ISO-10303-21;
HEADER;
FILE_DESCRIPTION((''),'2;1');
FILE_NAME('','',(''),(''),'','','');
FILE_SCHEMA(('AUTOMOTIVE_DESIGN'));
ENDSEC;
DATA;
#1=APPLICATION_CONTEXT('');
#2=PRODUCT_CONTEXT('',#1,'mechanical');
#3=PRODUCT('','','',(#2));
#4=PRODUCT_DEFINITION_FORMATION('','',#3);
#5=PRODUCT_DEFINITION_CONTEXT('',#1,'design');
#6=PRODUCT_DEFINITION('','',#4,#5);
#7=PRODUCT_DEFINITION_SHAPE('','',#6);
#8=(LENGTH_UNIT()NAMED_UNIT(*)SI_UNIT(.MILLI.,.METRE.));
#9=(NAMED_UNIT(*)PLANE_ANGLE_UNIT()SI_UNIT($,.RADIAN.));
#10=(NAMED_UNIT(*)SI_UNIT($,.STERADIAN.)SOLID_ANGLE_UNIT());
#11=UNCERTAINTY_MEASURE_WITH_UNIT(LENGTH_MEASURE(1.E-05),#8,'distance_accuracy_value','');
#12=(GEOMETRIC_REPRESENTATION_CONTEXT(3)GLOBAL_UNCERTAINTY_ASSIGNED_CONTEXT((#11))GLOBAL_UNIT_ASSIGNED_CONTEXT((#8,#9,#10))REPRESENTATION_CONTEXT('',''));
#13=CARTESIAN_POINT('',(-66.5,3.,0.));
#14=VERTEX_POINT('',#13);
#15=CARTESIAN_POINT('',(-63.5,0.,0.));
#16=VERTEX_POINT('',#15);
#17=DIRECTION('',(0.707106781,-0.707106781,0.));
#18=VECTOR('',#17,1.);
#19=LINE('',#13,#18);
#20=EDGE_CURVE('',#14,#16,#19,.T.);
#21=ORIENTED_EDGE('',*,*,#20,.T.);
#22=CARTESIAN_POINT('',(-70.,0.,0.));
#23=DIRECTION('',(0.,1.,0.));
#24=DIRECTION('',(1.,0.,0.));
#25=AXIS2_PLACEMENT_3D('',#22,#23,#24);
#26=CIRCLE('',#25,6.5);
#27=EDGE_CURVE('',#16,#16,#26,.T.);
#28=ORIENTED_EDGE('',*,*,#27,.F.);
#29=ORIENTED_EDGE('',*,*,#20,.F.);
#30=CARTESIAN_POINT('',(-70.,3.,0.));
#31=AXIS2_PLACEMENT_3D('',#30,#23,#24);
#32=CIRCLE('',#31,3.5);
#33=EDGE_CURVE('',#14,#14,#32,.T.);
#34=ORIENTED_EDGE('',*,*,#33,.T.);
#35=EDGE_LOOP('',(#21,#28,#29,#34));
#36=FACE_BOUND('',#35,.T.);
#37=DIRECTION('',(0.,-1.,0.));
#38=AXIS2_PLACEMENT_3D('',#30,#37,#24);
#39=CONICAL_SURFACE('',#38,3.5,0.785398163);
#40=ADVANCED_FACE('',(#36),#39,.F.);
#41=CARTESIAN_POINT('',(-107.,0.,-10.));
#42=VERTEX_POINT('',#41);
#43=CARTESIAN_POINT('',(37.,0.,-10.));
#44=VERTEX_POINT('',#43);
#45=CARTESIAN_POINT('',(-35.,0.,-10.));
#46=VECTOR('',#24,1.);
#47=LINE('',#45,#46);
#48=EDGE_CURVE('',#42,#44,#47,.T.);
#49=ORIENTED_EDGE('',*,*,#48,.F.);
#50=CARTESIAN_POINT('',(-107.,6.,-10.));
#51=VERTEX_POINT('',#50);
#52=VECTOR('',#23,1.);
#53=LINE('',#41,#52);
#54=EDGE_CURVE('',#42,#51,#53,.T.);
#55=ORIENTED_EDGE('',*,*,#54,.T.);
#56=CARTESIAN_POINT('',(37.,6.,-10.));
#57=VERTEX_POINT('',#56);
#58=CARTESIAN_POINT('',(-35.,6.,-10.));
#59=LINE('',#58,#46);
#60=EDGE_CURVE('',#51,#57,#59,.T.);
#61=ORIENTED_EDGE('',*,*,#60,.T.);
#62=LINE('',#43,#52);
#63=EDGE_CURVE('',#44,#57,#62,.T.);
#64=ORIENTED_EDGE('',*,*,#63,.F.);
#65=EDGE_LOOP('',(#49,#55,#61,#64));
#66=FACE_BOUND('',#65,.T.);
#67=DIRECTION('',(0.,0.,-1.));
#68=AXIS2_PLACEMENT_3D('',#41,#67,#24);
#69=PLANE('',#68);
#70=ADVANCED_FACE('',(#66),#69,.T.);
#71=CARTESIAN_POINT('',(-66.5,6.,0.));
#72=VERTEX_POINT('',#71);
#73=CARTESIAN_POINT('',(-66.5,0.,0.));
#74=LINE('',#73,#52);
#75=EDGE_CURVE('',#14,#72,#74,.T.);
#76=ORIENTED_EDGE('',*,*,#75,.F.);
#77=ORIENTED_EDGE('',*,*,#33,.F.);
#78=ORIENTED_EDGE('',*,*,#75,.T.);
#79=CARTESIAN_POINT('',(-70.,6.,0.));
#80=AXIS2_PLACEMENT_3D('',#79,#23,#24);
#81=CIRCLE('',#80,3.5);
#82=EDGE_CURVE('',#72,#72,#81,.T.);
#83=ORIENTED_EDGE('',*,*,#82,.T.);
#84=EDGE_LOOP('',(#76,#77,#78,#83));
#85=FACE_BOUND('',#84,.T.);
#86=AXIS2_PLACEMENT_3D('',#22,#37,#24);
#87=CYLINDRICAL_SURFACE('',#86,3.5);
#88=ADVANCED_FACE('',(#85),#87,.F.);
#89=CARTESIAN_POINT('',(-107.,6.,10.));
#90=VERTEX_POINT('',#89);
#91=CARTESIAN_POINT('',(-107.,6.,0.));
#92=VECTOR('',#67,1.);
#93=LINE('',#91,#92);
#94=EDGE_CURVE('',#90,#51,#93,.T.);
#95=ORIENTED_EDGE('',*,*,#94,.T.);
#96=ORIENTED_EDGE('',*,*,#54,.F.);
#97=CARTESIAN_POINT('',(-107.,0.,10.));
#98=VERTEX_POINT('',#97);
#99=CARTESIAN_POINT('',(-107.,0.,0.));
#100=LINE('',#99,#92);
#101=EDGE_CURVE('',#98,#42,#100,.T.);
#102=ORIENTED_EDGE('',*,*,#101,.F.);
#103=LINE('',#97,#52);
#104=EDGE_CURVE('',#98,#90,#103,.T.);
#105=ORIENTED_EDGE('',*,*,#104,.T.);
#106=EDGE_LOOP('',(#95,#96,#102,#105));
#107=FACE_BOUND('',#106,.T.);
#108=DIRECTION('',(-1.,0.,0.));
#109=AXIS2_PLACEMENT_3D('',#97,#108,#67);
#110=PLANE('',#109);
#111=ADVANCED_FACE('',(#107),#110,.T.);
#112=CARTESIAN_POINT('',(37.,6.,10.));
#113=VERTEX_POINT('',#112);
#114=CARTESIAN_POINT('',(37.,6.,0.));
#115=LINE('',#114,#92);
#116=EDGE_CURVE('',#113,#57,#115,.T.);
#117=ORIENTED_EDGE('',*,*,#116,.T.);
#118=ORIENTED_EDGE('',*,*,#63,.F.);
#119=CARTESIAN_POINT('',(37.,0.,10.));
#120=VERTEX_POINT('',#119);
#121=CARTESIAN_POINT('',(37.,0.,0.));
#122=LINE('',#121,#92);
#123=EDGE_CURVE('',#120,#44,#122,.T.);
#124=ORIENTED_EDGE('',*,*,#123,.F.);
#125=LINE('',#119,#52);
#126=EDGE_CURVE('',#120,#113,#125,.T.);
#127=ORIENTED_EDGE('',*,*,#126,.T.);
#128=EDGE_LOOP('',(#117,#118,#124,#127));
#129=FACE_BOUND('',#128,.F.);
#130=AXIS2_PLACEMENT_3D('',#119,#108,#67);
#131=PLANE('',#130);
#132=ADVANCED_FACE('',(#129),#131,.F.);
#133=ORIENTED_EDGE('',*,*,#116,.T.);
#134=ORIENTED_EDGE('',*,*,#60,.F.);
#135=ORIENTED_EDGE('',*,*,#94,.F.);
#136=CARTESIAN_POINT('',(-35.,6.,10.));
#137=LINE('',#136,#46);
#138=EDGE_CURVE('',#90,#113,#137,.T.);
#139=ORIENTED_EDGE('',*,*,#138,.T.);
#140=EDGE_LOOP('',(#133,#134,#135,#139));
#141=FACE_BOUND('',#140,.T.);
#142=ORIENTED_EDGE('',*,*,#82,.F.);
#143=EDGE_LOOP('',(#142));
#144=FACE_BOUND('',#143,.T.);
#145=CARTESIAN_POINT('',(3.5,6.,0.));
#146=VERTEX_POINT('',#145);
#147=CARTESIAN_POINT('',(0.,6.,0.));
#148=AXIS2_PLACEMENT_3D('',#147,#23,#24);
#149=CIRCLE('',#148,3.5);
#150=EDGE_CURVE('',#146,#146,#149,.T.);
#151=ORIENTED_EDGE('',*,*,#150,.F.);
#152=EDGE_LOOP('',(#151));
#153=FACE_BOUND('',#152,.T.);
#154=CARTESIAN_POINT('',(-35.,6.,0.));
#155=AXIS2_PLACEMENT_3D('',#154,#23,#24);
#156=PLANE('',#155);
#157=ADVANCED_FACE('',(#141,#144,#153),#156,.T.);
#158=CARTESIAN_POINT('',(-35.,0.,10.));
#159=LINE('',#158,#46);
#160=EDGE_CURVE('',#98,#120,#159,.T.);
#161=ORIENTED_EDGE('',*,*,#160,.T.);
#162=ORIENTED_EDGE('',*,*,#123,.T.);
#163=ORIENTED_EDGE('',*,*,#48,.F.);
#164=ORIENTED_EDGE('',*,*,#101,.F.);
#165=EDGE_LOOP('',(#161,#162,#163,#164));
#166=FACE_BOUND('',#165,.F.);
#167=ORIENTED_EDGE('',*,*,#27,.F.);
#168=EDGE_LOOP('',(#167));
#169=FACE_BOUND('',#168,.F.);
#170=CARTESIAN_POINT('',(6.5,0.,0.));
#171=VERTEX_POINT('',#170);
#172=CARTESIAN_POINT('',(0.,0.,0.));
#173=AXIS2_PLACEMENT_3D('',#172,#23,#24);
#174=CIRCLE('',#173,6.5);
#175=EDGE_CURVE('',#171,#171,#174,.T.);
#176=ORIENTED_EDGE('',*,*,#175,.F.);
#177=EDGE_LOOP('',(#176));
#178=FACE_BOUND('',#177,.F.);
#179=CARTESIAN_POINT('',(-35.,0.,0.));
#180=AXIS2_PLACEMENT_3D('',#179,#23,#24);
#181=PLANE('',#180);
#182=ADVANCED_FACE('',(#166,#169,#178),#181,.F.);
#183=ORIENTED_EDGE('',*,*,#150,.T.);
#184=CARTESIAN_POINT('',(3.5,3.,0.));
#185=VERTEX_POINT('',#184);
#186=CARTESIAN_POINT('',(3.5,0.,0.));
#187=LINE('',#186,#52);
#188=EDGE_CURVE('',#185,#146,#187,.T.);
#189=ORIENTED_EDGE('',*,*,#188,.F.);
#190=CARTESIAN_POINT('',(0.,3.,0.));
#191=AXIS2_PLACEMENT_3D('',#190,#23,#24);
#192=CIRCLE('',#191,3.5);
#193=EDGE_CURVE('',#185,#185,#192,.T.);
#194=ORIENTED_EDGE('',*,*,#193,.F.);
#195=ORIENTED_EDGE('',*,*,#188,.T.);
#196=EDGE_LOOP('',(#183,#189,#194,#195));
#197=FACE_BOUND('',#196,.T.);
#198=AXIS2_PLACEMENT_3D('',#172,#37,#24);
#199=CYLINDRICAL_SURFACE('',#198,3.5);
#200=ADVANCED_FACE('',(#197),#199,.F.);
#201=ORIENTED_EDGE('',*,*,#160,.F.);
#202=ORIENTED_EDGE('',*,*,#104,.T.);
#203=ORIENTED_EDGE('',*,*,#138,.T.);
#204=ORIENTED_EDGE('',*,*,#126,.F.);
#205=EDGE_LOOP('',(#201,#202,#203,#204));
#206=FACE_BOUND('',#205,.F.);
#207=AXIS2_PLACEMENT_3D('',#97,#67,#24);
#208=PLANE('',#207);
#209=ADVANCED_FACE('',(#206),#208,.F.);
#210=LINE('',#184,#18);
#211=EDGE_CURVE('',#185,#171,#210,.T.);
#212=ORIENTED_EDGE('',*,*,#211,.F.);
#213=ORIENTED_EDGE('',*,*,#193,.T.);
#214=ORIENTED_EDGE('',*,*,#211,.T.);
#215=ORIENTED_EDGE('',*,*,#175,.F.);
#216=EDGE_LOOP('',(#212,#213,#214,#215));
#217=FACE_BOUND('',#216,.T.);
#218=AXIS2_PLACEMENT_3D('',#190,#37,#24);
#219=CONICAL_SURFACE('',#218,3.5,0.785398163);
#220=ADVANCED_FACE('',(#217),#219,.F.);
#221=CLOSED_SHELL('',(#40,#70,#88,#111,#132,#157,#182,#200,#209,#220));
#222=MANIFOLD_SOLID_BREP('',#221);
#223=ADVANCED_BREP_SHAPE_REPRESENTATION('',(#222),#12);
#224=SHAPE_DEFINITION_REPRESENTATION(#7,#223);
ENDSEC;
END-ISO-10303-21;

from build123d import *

# Parameters (mm, degrees)
SKETCH1_W           = 144
SKETCH1_H           = 20
SKETCH1_R           = 3.5
BOSS_EXTRUDE2_DEPTH = 6
CHAMFER3_SIZE       = 3


with BuildPart() as part:
    # Sketch1 → Boss-Extrude2 (new body)
    with BuildSketch(Plane(origin=(0, 0, 0), x_dir=(1, 0, 0), z_dir=(0, 1, 0))):
        with Locations((-35, 0)):
            Rectangle(SKETCH1_W, SKETCH1_H)
        Circle(SKETCH1_R, mode=Mode.SUBTRACT)
        with Locations((-70, 0)):
            Circle(SKETCH1_R, mode=Mode.SUBTRACT)
    extrude(amount=BOSS_EXTRUDE2_DEPTH)

    # Chamfer3
    chamfer3_edges = [part.edges().sort_by_distance(p)[0] for p in [
        (-3.5, 0, 0),
        (-73.5, 0, 0),
    ]]
    chamfer(chamfer3_edges, length=CHAMFER3_SIZE)


solid = part.part
